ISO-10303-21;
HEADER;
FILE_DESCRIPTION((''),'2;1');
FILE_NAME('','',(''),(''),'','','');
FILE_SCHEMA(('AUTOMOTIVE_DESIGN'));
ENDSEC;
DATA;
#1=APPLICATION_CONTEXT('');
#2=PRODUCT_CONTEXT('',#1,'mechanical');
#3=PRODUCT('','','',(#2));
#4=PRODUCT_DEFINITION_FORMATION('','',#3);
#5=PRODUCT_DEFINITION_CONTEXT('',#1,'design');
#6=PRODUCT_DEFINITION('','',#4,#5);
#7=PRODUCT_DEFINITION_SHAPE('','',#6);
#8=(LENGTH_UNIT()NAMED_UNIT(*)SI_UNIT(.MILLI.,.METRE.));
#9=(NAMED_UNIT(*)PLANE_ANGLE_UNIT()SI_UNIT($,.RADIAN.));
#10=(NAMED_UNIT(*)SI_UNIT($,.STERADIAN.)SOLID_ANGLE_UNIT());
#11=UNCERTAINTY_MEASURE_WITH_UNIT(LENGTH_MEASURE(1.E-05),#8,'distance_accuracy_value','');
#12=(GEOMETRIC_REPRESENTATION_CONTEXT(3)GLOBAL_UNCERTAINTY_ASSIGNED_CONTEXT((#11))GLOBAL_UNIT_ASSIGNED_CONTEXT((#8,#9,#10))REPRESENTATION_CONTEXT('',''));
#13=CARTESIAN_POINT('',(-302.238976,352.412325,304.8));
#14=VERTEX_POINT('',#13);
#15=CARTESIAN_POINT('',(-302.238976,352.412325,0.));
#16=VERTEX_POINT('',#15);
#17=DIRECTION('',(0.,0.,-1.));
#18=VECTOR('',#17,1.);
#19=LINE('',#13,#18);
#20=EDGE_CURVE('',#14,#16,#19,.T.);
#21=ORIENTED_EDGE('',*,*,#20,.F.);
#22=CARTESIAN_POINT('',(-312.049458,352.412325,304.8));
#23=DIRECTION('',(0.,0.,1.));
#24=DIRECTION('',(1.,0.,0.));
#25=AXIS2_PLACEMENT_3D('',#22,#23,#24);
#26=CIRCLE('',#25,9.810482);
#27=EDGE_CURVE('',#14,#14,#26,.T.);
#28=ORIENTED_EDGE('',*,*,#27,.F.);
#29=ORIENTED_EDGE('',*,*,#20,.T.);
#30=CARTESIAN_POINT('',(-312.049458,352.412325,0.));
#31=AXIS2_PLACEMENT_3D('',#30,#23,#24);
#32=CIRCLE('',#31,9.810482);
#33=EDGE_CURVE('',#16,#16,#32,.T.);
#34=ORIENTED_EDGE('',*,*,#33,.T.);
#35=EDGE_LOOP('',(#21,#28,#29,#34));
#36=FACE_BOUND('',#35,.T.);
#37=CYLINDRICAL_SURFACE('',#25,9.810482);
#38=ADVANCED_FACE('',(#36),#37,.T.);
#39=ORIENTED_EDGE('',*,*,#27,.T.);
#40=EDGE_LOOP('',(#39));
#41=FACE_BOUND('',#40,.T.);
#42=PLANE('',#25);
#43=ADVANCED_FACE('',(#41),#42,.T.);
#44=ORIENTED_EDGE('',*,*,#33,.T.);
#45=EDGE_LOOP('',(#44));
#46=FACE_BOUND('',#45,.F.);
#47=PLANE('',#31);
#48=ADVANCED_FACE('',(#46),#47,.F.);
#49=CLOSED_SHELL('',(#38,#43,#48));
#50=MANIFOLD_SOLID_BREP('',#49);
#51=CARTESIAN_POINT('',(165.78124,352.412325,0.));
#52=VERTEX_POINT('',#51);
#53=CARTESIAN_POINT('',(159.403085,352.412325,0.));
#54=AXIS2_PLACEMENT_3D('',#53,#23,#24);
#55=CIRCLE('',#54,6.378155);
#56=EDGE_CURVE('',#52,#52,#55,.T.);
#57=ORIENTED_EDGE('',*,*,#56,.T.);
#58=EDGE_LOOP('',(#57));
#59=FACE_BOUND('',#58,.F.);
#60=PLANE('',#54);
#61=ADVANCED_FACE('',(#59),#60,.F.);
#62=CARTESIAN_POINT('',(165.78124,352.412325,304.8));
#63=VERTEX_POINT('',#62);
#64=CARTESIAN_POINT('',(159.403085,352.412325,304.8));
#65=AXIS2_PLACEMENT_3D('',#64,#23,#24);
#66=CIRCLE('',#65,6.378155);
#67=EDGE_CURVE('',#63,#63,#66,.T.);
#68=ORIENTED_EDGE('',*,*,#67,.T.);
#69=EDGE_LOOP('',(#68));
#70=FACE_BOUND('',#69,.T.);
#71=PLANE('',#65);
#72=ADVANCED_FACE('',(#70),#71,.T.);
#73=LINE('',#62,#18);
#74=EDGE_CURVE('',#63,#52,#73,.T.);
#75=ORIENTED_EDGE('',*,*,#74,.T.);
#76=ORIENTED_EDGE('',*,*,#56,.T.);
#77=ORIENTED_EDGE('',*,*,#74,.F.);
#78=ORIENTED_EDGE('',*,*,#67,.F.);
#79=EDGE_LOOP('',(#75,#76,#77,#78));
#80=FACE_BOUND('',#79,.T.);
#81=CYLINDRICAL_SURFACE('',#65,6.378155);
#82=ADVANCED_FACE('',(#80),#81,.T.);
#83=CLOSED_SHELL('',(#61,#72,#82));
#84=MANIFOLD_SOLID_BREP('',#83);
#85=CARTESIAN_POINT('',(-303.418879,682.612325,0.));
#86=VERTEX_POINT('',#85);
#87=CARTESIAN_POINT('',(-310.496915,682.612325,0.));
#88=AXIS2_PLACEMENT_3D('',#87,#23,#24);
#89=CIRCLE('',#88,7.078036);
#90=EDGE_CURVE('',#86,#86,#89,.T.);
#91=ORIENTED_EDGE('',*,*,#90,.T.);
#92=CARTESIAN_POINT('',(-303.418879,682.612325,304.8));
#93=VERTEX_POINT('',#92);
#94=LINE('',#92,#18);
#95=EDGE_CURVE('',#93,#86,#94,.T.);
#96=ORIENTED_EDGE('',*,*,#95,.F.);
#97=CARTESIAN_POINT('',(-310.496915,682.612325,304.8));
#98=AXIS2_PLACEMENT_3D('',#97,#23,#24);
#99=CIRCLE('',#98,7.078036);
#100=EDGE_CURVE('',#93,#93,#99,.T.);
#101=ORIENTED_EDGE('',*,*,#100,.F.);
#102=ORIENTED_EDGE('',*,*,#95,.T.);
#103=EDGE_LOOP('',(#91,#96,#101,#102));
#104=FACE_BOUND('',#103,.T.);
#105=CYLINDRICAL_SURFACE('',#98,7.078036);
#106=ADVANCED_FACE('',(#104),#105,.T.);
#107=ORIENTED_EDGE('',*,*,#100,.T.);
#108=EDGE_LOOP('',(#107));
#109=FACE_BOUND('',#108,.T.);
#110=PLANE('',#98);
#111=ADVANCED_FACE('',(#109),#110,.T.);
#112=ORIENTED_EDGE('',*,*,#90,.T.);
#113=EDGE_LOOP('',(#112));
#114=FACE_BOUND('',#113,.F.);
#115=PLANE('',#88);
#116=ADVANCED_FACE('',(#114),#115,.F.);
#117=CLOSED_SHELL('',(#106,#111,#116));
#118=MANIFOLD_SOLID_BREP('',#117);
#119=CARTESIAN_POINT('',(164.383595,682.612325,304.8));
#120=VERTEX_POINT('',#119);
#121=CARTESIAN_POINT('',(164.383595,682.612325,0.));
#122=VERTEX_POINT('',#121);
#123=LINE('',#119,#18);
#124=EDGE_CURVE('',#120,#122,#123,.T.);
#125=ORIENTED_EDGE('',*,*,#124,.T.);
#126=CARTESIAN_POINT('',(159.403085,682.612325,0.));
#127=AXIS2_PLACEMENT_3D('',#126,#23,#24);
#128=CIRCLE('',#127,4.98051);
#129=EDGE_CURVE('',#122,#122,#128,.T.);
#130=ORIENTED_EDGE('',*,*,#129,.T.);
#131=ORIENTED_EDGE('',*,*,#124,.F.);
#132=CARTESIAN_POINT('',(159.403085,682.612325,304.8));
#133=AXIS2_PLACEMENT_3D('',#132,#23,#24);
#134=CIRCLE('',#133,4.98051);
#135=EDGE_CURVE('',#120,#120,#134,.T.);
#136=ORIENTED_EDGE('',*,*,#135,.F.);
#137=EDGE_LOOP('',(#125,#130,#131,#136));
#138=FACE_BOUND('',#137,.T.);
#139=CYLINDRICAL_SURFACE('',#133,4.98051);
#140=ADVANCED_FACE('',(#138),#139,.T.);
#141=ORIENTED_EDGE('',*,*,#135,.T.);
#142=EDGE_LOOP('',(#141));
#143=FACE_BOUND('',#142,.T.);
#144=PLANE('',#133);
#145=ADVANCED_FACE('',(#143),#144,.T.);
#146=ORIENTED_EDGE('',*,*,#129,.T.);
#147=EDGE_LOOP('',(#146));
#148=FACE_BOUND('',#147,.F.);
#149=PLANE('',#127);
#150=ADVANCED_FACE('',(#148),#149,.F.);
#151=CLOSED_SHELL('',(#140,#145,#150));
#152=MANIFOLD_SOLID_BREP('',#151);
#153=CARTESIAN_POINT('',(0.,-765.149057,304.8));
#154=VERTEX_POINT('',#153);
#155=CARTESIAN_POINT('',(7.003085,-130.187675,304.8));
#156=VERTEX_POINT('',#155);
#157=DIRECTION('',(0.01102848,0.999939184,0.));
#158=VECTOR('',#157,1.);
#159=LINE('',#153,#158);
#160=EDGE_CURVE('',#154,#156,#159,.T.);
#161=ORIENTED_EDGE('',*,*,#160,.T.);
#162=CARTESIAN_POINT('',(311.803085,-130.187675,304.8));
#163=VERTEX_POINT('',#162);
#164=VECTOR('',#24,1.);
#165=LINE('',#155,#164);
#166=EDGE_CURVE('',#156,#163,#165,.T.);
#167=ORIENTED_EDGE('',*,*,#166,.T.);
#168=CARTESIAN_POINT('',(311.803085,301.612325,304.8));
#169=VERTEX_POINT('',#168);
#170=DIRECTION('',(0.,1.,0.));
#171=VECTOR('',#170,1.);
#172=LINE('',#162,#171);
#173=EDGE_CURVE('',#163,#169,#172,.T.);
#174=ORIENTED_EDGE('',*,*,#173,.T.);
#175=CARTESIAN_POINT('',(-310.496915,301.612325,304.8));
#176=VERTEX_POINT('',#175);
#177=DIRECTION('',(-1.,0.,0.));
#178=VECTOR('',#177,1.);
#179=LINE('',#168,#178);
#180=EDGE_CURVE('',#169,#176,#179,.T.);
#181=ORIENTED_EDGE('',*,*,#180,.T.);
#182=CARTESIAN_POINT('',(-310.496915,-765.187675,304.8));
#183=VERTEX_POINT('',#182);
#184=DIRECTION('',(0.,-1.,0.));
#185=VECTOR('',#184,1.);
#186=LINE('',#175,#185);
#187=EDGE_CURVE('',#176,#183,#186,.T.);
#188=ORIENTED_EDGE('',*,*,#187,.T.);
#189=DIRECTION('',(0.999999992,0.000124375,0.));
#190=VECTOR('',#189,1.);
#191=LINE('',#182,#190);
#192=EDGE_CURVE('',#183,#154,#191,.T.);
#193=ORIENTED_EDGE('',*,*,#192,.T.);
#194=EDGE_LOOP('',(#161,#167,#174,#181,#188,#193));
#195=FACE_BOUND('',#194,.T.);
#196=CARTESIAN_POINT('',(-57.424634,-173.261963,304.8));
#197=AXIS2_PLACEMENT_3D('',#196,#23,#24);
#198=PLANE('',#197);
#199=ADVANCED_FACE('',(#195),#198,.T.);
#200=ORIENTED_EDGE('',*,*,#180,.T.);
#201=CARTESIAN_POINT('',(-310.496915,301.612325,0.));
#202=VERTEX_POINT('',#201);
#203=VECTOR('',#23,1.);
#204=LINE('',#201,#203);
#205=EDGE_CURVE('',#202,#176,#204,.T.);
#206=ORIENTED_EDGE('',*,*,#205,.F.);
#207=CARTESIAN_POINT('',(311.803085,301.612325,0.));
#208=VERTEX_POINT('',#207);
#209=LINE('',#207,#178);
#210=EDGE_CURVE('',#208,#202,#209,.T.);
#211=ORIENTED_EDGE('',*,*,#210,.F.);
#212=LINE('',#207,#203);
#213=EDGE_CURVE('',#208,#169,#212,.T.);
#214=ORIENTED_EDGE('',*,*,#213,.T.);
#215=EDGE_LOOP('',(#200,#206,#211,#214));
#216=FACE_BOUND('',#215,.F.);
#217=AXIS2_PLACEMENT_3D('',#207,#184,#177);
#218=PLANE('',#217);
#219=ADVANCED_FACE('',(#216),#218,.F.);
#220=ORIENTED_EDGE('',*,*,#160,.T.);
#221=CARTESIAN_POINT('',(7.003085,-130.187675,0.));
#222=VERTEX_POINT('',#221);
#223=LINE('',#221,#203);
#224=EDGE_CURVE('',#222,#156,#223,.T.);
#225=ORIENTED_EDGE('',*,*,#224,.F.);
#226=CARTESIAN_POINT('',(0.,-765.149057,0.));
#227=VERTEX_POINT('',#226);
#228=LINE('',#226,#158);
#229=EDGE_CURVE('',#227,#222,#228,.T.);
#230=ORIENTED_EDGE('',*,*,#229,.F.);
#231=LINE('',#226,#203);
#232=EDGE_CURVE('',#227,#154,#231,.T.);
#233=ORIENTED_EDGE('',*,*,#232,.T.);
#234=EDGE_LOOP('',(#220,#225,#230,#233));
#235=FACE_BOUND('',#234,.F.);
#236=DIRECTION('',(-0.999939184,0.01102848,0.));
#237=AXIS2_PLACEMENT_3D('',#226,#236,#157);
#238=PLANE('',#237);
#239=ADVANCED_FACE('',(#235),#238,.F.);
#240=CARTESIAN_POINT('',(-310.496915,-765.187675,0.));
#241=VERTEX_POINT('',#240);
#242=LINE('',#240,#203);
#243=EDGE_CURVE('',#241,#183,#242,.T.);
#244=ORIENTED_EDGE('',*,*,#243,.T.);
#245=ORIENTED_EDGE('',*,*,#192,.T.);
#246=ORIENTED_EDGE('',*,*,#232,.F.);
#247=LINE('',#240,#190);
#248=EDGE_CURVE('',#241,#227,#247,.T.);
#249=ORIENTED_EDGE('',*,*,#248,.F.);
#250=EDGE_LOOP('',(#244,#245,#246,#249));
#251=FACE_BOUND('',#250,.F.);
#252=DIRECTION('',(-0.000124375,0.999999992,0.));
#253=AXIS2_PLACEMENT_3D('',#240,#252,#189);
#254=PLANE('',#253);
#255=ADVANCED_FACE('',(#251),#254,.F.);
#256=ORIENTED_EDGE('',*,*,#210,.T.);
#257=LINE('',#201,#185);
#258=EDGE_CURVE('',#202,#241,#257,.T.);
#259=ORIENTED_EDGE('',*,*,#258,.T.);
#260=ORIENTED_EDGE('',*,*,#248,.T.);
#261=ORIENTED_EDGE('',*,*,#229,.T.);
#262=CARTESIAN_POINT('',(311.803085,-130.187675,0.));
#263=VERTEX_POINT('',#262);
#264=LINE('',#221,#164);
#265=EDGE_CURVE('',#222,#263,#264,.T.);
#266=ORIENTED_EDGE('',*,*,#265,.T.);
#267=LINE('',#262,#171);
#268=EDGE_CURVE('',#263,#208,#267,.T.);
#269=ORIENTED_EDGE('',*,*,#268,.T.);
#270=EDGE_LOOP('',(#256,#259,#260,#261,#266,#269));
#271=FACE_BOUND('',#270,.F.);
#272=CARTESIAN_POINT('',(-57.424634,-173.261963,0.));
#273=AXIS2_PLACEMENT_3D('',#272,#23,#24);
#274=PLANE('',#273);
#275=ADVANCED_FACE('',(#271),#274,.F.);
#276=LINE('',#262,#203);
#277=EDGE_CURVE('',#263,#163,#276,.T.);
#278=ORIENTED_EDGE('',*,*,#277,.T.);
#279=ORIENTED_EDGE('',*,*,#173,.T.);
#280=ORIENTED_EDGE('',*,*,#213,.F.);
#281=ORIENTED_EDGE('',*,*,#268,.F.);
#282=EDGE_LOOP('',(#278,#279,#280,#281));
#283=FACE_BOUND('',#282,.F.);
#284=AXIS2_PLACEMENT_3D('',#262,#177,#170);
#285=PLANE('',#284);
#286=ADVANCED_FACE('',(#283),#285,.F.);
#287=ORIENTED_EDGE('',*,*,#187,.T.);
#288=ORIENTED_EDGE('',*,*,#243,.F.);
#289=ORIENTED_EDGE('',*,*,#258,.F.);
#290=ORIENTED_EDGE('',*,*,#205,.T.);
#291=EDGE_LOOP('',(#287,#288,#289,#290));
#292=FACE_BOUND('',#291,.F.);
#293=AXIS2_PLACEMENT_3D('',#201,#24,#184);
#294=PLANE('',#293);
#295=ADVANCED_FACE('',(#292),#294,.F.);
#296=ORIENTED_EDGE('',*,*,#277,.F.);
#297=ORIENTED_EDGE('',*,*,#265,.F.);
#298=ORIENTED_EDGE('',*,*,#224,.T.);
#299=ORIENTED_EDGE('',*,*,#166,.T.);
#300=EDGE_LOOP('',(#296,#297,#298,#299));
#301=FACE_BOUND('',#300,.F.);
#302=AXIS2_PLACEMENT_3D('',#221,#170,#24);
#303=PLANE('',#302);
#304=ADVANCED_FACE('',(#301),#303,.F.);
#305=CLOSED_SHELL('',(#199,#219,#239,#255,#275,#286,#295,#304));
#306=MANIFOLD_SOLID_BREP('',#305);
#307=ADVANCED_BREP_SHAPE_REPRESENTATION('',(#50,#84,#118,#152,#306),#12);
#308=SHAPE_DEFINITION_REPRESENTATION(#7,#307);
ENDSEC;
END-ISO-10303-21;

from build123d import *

# Parameters (mm, degrees)
F1_DEPTH = 304.8
F2_R     = 9.810482
F2_R_2   = 6.378155
F2_R_3   = 4.98051
F2_R_4   = 7.078036
F3_DEPTH = 304.8


with BuildPart() as f1:
    # F0 (on Top) → F1 (new body)
    with BuildSketch(Plane.XY):
        Polygon((311.803085, 301.612325), (-310.496915, 301.612325), (-310.496915, -765.187675), (0, -765.149057), (7.003085, -130.187675), (311.803085, -130.187675), align=None)
    extrude(amount=F1_DEPTH)


with BuildPart() as f3:
    # F2 (on face) → F3 (new body)
    with BuildSketch(Plane.XY.offset(304.8)):
        with Locations((-312.049458, 352.412325)):
            Circle(F2_R)
        with Locations((159.403085, 352.412325)):
            Circle(F2_R_2)
        with Locations((159.403085, 682.612325)):
            Circle(F2_R_3)
        with Locations((-310.496915, 682.612325)):
            Circle(F2_R_4)
    extrude(amount=-F3_DEPTH)


solid = Compound([f1.part, f3.part])
